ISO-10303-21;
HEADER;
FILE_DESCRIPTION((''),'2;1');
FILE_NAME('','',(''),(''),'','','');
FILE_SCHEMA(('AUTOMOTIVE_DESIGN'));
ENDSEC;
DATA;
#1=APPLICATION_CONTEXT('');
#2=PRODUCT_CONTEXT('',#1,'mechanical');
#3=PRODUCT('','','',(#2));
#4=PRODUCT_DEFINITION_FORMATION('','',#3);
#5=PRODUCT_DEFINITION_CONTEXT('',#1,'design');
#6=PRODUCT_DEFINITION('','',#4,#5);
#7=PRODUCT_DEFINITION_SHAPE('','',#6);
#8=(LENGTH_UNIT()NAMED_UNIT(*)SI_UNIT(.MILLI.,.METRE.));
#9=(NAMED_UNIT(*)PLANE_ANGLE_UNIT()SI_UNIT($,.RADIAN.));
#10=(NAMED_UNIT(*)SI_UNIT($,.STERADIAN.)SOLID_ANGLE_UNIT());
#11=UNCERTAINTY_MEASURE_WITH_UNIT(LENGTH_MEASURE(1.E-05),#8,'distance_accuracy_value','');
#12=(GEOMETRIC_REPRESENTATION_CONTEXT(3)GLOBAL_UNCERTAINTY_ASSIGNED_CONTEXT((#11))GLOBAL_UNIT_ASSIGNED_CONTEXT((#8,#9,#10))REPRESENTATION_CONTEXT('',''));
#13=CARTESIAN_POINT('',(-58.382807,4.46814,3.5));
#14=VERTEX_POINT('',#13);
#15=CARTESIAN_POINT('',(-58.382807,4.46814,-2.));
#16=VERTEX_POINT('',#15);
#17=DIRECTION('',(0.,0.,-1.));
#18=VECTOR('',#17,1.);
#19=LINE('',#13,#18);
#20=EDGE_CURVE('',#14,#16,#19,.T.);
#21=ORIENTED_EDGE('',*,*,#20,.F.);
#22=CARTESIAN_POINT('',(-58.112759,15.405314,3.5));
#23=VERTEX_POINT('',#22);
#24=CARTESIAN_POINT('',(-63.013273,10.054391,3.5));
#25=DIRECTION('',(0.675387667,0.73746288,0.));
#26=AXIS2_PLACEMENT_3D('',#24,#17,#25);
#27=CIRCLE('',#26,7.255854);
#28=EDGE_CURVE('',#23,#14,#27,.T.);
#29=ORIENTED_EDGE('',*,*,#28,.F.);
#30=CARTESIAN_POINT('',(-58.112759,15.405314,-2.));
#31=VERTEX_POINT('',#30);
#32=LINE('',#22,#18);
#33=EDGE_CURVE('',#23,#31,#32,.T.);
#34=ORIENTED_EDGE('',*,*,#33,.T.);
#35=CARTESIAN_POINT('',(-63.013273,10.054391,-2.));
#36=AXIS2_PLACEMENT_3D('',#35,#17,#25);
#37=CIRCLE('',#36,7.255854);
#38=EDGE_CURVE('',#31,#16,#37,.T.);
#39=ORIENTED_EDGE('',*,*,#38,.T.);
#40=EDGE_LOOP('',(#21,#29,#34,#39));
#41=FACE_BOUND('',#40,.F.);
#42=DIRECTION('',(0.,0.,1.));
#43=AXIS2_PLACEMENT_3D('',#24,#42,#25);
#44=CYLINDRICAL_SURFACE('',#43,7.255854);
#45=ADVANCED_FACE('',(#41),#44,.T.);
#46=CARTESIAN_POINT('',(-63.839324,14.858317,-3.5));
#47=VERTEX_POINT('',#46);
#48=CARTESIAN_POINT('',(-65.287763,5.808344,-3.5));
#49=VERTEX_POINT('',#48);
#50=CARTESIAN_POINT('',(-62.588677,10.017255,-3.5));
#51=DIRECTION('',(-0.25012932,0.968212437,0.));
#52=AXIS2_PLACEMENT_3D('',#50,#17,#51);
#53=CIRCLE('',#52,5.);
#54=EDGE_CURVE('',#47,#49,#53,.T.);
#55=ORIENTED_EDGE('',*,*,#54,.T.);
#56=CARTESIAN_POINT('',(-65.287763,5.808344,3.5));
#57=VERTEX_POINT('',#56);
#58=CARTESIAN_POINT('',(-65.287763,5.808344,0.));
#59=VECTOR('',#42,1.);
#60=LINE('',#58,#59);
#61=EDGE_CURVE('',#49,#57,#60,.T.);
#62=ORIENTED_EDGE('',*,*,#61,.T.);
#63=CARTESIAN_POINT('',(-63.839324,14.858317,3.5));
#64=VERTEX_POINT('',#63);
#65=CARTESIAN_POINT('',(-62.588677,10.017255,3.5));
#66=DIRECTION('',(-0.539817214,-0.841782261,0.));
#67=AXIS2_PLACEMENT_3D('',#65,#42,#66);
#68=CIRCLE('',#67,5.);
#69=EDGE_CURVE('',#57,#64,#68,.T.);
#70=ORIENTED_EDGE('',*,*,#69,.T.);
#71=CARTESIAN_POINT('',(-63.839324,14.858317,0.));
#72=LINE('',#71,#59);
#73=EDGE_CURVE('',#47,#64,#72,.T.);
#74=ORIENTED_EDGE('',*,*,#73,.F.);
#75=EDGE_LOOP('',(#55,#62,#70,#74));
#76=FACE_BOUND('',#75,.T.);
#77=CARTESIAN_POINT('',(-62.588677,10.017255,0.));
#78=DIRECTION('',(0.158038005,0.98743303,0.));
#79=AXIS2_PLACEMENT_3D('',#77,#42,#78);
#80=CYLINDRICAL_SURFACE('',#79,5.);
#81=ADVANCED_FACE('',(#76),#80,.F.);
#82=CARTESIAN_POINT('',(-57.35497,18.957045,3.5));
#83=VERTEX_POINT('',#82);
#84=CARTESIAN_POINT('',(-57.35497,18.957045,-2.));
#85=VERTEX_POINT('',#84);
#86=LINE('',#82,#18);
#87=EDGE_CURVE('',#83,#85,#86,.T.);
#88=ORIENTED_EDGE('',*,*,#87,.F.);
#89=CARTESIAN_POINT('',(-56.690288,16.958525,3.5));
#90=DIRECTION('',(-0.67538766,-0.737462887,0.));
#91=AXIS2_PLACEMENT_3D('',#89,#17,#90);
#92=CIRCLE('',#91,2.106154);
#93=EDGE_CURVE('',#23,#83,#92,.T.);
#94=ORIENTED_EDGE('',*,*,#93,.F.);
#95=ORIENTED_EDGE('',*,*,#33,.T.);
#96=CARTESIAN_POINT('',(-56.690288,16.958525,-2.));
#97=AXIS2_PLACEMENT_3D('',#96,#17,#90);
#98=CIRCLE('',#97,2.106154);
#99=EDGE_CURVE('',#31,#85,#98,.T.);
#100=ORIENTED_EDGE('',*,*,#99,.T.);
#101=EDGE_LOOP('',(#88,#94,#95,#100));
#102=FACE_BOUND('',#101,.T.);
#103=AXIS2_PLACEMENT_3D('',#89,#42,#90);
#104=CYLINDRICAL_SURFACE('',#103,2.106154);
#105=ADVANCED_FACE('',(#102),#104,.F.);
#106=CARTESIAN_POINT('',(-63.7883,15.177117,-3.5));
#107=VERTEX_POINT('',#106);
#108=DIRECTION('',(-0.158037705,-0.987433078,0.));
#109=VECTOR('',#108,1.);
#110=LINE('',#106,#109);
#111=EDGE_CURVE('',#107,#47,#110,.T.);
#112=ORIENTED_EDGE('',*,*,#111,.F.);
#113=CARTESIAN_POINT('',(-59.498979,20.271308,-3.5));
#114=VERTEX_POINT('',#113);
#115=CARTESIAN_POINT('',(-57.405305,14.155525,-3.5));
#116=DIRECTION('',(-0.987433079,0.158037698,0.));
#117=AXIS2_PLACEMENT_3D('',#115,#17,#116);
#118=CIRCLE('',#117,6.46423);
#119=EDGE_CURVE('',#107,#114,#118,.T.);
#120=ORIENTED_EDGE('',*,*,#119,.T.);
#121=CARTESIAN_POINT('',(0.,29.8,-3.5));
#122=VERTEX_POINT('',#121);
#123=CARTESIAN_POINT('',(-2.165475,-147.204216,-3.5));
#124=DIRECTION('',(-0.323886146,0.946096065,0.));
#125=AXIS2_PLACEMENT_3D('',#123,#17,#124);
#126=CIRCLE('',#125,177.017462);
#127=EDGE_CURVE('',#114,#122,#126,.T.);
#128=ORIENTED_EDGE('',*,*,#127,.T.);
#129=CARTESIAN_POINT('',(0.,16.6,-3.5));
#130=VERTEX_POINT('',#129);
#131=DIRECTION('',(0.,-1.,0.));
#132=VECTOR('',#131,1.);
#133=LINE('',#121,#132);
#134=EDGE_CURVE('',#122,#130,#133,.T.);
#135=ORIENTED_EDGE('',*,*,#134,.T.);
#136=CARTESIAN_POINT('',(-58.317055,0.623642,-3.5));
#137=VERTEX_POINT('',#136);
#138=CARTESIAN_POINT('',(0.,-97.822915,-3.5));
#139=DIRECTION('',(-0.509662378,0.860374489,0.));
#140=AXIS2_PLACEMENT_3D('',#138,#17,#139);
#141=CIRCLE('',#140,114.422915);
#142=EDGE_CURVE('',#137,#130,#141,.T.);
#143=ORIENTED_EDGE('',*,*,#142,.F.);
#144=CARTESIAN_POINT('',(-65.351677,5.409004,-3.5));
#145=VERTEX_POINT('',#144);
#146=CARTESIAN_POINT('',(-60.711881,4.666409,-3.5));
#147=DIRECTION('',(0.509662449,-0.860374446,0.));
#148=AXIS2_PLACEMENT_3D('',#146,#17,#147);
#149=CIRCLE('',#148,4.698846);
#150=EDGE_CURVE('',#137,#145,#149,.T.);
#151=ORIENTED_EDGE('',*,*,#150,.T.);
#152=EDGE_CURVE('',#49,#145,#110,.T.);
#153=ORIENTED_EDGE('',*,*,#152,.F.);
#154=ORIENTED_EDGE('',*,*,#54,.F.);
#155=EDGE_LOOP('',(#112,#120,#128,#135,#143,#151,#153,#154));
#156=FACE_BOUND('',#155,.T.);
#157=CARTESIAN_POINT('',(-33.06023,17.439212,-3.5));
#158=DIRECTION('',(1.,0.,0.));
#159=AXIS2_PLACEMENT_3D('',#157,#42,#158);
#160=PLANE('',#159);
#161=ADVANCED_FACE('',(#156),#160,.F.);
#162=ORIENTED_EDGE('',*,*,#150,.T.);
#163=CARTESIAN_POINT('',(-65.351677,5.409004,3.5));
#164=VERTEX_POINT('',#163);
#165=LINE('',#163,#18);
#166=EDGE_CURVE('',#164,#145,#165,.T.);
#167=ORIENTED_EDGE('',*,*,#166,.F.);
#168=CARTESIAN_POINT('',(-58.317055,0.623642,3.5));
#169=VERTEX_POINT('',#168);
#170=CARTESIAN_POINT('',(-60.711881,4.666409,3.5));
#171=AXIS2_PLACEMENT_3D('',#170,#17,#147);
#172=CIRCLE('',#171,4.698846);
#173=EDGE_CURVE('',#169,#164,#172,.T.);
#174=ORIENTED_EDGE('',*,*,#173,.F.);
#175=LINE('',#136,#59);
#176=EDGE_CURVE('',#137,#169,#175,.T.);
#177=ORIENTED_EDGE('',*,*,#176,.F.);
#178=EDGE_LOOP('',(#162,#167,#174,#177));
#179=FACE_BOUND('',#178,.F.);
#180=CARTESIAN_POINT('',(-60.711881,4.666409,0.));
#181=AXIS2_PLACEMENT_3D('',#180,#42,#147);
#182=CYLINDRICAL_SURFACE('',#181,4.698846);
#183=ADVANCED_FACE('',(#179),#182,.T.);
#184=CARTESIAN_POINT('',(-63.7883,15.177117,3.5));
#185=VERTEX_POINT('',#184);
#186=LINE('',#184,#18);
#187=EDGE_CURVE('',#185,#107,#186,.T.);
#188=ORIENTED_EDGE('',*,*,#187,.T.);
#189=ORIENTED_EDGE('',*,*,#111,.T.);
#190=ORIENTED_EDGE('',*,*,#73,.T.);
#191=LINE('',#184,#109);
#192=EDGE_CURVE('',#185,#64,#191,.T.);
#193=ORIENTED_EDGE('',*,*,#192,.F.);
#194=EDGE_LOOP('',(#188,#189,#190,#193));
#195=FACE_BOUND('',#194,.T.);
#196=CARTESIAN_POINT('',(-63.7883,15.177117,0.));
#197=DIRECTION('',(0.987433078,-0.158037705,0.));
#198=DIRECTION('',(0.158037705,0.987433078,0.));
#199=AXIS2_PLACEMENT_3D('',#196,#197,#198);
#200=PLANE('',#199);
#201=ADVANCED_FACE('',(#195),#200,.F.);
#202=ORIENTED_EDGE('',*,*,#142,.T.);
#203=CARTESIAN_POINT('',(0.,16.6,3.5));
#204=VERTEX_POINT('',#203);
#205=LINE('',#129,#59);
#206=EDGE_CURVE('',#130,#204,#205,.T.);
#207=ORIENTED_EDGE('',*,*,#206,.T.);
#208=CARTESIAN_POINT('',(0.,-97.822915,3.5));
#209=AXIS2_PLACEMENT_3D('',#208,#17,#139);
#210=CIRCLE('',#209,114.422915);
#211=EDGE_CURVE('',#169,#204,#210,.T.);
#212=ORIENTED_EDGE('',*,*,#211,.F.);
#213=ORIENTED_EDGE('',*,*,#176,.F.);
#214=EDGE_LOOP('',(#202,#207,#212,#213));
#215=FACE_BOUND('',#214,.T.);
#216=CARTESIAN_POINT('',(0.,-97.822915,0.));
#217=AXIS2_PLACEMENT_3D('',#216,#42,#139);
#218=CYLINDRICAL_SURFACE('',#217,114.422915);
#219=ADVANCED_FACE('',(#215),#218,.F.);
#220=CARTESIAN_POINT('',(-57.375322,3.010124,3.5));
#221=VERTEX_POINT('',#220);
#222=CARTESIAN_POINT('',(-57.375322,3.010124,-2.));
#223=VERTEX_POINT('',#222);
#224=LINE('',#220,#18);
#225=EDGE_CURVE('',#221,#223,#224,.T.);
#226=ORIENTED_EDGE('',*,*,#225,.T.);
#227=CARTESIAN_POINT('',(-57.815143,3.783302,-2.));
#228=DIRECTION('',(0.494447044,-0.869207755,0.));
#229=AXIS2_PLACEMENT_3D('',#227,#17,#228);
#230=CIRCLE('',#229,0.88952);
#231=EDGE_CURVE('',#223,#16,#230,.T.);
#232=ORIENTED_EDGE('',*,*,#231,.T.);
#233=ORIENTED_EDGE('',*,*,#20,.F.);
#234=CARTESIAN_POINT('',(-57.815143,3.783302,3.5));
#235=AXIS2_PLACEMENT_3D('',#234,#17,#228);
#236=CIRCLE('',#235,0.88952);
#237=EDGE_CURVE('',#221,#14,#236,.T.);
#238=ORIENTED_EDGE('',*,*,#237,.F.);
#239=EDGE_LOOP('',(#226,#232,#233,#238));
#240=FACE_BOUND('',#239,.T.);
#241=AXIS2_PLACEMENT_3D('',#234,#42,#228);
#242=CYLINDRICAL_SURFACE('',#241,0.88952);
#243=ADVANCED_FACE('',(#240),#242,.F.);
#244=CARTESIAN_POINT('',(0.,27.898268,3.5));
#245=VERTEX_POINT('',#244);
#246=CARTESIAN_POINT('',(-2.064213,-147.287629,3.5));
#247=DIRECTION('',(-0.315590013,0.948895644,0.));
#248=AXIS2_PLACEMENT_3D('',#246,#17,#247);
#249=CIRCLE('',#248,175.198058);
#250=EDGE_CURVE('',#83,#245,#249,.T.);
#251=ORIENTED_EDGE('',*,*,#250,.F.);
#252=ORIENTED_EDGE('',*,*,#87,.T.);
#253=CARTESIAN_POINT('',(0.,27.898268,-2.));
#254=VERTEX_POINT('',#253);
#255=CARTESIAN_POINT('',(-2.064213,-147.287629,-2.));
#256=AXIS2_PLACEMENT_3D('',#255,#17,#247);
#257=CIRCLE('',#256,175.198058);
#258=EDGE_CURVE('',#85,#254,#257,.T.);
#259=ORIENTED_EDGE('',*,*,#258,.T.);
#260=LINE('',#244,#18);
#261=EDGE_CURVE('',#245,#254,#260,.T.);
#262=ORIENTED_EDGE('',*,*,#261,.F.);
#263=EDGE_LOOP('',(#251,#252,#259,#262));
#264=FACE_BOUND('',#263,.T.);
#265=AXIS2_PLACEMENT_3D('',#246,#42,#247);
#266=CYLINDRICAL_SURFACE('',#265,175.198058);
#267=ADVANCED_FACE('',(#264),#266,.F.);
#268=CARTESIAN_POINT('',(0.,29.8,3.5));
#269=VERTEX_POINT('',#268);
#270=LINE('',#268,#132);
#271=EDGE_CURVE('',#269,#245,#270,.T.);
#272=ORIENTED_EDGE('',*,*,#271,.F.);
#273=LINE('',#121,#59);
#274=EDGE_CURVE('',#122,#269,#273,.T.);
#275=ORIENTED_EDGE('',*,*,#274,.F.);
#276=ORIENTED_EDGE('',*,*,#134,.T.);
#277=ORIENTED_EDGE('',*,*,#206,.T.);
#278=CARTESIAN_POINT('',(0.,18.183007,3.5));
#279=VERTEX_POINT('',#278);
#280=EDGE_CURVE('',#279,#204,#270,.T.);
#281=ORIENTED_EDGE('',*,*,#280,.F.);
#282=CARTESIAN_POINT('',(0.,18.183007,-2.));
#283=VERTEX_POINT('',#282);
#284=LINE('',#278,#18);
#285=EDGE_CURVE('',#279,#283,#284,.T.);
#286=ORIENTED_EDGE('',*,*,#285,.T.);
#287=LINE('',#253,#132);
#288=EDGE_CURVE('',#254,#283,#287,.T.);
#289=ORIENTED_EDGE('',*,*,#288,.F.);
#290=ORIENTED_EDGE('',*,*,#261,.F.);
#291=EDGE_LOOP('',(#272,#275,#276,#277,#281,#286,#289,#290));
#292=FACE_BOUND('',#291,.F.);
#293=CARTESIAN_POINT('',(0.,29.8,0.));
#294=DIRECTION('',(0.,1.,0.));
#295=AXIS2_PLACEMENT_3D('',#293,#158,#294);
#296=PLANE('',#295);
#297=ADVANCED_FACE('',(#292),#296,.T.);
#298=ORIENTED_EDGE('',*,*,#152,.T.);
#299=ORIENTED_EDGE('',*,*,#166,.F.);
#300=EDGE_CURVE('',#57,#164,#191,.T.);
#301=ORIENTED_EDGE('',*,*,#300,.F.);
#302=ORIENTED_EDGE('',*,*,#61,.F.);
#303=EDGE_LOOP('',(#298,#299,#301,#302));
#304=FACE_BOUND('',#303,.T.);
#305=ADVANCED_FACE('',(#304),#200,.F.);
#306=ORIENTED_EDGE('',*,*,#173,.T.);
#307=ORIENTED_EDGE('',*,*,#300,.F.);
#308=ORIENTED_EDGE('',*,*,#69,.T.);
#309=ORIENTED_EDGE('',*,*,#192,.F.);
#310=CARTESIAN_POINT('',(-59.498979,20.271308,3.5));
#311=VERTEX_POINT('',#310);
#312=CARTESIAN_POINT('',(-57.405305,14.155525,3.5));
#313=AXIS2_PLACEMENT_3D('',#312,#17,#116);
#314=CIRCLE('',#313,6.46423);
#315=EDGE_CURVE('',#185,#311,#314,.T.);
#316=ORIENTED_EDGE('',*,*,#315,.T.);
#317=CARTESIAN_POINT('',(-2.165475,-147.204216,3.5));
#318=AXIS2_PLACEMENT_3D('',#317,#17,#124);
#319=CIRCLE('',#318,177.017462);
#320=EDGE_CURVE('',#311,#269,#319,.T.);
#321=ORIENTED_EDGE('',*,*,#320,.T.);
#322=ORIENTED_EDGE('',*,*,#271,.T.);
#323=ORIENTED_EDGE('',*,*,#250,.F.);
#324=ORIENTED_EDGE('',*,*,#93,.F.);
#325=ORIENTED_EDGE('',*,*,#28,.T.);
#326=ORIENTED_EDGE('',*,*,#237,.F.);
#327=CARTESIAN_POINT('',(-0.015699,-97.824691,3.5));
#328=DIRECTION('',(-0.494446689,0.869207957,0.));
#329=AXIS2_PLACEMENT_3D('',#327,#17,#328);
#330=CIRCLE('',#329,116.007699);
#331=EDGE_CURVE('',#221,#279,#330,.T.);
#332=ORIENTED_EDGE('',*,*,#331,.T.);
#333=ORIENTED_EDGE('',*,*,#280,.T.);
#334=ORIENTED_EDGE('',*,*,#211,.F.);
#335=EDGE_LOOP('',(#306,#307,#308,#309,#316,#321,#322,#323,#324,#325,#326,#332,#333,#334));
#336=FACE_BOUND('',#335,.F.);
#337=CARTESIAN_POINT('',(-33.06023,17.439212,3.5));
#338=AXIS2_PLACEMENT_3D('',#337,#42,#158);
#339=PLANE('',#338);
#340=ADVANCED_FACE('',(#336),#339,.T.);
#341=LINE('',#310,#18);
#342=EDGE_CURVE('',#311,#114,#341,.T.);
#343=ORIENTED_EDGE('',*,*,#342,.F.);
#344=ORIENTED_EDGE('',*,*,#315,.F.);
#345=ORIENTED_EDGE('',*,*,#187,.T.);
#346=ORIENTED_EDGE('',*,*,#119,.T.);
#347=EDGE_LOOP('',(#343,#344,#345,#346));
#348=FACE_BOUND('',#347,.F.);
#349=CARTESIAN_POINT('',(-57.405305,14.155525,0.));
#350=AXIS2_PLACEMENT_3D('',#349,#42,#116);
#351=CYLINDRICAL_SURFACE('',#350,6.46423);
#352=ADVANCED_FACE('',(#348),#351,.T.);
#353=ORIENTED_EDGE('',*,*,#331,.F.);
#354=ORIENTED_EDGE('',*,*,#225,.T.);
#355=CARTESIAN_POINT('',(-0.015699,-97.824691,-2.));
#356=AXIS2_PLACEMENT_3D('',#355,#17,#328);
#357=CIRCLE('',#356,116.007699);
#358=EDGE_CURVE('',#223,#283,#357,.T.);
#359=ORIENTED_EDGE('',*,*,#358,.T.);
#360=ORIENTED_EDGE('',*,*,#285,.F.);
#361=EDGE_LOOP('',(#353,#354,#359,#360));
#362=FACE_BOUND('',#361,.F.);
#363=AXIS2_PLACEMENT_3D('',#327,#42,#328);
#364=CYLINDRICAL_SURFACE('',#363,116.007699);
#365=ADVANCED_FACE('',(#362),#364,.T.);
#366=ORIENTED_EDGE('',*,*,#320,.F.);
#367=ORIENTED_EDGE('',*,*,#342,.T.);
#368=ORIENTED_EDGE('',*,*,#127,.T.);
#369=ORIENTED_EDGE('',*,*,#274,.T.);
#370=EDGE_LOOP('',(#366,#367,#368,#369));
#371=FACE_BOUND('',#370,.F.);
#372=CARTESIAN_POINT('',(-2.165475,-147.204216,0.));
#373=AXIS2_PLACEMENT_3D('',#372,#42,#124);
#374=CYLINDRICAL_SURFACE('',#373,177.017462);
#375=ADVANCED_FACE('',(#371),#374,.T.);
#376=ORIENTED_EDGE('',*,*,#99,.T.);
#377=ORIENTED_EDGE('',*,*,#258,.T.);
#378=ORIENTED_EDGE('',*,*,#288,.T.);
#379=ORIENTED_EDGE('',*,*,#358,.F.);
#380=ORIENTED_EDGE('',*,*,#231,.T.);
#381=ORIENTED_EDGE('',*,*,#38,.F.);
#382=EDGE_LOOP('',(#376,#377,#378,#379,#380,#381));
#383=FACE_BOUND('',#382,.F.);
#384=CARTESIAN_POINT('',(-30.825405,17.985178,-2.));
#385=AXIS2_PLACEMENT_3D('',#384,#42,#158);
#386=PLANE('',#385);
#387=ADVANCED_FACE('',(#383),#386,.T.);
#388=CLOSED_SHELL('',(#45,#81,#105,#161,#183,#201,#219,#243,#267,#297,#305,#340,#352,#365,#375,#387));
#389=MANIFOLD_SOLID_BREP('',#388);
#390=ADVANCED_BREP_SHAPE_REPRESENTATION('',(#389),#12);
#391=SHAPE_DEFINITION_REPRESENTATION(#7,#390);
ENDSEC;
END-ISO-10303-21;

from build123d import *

# Parameters (mm, degrees)
PAD003_DEPTH = 3.5
POCKET_DEPTH = 5.5
SKETCH011_W  = 5
SKETCH011_H  = 7.2


with BuildPart() as stirn:
    # Sketch010 → Pad003 (new body, symmetric)
    with BuildSketch(Plane.XY):
        with BuildLine():
            ThreePointArc((59.498979, 20.271308), (30.157918, 27.585958), (0, 29.8))
            Line((0, 29.8), (0, 16.6))
            ThreePointArc((58.317055, 0.623642), (30.232941, 12.533656), (0, 16.6))
            ThreePointArc((58.317055, 0.623642), (63.354776, 0.781276), (65.351677, 5.409004))
            Line((63.7883, 15.177117), (65.351677, 5.409004))
            ThreePointArc((63.7883, 15.177117), (62.350118, 18.319069), (59.498979, 20.271308))
        make_face()
    extrude(amount=PAD003_DEPTH, both=True)

    # Sketch009 → Pocket (cut)
    with BuildSketch(Plane.XY.offset(3.5)):
        with BuildLine():
            Line((0, 27.898268), (0, 18.183007))
            ThreePointArc((57.375322, 3.010124), (29.674349, 14.327664), (0, 18.183007))
            ThreePointArc((57.375322, 3.010124), (58.546948, 3.277627), (58.382807, 4.46814))
            ThreePointArc((58.112759, 15.405314), (55.75963, 9.875292), (58.382807, 4.46814))
            ThreePointArc((58.112759, 15.405314), (58.750082, 17.397997), (57.35497, 18.957045))
            ThreePointArc((57.35497, 18.957045), (29.050369, 25.819583), (0, 27.898268))
        make_face()
    extrude(amount=-POCKET_DEPTH, mode=Mode.SUBTRACT)

    # Sketch011 (on Face2 of Pocket) → Groove (revolve, cut)
    with BuildSketch(Plane(origin=(62.588677, 10.017255, 0), x_dir=(-0.158038, 0.987433, 0), z_dir=(0.987433, 0.158038, 0))):
        with Locations((2.5, 0)):
            Rectangle(SKETCH011_W, SKETCH011_H)
    revolve(axis=Axis((62.588677, 10.017255, 0), (0, 0, 1)), mode=Mode.SUBTRACT)


with BuildPart() as part_mirroring:
    # Part__Mirroring: instance of Stirn
    add(stirn.part.mirror(Plane(origin=(0, 0, 0), x_dir=(0, -1, 0), z_dir=(1, 0, 0))))


solid = part_mirroring.part
